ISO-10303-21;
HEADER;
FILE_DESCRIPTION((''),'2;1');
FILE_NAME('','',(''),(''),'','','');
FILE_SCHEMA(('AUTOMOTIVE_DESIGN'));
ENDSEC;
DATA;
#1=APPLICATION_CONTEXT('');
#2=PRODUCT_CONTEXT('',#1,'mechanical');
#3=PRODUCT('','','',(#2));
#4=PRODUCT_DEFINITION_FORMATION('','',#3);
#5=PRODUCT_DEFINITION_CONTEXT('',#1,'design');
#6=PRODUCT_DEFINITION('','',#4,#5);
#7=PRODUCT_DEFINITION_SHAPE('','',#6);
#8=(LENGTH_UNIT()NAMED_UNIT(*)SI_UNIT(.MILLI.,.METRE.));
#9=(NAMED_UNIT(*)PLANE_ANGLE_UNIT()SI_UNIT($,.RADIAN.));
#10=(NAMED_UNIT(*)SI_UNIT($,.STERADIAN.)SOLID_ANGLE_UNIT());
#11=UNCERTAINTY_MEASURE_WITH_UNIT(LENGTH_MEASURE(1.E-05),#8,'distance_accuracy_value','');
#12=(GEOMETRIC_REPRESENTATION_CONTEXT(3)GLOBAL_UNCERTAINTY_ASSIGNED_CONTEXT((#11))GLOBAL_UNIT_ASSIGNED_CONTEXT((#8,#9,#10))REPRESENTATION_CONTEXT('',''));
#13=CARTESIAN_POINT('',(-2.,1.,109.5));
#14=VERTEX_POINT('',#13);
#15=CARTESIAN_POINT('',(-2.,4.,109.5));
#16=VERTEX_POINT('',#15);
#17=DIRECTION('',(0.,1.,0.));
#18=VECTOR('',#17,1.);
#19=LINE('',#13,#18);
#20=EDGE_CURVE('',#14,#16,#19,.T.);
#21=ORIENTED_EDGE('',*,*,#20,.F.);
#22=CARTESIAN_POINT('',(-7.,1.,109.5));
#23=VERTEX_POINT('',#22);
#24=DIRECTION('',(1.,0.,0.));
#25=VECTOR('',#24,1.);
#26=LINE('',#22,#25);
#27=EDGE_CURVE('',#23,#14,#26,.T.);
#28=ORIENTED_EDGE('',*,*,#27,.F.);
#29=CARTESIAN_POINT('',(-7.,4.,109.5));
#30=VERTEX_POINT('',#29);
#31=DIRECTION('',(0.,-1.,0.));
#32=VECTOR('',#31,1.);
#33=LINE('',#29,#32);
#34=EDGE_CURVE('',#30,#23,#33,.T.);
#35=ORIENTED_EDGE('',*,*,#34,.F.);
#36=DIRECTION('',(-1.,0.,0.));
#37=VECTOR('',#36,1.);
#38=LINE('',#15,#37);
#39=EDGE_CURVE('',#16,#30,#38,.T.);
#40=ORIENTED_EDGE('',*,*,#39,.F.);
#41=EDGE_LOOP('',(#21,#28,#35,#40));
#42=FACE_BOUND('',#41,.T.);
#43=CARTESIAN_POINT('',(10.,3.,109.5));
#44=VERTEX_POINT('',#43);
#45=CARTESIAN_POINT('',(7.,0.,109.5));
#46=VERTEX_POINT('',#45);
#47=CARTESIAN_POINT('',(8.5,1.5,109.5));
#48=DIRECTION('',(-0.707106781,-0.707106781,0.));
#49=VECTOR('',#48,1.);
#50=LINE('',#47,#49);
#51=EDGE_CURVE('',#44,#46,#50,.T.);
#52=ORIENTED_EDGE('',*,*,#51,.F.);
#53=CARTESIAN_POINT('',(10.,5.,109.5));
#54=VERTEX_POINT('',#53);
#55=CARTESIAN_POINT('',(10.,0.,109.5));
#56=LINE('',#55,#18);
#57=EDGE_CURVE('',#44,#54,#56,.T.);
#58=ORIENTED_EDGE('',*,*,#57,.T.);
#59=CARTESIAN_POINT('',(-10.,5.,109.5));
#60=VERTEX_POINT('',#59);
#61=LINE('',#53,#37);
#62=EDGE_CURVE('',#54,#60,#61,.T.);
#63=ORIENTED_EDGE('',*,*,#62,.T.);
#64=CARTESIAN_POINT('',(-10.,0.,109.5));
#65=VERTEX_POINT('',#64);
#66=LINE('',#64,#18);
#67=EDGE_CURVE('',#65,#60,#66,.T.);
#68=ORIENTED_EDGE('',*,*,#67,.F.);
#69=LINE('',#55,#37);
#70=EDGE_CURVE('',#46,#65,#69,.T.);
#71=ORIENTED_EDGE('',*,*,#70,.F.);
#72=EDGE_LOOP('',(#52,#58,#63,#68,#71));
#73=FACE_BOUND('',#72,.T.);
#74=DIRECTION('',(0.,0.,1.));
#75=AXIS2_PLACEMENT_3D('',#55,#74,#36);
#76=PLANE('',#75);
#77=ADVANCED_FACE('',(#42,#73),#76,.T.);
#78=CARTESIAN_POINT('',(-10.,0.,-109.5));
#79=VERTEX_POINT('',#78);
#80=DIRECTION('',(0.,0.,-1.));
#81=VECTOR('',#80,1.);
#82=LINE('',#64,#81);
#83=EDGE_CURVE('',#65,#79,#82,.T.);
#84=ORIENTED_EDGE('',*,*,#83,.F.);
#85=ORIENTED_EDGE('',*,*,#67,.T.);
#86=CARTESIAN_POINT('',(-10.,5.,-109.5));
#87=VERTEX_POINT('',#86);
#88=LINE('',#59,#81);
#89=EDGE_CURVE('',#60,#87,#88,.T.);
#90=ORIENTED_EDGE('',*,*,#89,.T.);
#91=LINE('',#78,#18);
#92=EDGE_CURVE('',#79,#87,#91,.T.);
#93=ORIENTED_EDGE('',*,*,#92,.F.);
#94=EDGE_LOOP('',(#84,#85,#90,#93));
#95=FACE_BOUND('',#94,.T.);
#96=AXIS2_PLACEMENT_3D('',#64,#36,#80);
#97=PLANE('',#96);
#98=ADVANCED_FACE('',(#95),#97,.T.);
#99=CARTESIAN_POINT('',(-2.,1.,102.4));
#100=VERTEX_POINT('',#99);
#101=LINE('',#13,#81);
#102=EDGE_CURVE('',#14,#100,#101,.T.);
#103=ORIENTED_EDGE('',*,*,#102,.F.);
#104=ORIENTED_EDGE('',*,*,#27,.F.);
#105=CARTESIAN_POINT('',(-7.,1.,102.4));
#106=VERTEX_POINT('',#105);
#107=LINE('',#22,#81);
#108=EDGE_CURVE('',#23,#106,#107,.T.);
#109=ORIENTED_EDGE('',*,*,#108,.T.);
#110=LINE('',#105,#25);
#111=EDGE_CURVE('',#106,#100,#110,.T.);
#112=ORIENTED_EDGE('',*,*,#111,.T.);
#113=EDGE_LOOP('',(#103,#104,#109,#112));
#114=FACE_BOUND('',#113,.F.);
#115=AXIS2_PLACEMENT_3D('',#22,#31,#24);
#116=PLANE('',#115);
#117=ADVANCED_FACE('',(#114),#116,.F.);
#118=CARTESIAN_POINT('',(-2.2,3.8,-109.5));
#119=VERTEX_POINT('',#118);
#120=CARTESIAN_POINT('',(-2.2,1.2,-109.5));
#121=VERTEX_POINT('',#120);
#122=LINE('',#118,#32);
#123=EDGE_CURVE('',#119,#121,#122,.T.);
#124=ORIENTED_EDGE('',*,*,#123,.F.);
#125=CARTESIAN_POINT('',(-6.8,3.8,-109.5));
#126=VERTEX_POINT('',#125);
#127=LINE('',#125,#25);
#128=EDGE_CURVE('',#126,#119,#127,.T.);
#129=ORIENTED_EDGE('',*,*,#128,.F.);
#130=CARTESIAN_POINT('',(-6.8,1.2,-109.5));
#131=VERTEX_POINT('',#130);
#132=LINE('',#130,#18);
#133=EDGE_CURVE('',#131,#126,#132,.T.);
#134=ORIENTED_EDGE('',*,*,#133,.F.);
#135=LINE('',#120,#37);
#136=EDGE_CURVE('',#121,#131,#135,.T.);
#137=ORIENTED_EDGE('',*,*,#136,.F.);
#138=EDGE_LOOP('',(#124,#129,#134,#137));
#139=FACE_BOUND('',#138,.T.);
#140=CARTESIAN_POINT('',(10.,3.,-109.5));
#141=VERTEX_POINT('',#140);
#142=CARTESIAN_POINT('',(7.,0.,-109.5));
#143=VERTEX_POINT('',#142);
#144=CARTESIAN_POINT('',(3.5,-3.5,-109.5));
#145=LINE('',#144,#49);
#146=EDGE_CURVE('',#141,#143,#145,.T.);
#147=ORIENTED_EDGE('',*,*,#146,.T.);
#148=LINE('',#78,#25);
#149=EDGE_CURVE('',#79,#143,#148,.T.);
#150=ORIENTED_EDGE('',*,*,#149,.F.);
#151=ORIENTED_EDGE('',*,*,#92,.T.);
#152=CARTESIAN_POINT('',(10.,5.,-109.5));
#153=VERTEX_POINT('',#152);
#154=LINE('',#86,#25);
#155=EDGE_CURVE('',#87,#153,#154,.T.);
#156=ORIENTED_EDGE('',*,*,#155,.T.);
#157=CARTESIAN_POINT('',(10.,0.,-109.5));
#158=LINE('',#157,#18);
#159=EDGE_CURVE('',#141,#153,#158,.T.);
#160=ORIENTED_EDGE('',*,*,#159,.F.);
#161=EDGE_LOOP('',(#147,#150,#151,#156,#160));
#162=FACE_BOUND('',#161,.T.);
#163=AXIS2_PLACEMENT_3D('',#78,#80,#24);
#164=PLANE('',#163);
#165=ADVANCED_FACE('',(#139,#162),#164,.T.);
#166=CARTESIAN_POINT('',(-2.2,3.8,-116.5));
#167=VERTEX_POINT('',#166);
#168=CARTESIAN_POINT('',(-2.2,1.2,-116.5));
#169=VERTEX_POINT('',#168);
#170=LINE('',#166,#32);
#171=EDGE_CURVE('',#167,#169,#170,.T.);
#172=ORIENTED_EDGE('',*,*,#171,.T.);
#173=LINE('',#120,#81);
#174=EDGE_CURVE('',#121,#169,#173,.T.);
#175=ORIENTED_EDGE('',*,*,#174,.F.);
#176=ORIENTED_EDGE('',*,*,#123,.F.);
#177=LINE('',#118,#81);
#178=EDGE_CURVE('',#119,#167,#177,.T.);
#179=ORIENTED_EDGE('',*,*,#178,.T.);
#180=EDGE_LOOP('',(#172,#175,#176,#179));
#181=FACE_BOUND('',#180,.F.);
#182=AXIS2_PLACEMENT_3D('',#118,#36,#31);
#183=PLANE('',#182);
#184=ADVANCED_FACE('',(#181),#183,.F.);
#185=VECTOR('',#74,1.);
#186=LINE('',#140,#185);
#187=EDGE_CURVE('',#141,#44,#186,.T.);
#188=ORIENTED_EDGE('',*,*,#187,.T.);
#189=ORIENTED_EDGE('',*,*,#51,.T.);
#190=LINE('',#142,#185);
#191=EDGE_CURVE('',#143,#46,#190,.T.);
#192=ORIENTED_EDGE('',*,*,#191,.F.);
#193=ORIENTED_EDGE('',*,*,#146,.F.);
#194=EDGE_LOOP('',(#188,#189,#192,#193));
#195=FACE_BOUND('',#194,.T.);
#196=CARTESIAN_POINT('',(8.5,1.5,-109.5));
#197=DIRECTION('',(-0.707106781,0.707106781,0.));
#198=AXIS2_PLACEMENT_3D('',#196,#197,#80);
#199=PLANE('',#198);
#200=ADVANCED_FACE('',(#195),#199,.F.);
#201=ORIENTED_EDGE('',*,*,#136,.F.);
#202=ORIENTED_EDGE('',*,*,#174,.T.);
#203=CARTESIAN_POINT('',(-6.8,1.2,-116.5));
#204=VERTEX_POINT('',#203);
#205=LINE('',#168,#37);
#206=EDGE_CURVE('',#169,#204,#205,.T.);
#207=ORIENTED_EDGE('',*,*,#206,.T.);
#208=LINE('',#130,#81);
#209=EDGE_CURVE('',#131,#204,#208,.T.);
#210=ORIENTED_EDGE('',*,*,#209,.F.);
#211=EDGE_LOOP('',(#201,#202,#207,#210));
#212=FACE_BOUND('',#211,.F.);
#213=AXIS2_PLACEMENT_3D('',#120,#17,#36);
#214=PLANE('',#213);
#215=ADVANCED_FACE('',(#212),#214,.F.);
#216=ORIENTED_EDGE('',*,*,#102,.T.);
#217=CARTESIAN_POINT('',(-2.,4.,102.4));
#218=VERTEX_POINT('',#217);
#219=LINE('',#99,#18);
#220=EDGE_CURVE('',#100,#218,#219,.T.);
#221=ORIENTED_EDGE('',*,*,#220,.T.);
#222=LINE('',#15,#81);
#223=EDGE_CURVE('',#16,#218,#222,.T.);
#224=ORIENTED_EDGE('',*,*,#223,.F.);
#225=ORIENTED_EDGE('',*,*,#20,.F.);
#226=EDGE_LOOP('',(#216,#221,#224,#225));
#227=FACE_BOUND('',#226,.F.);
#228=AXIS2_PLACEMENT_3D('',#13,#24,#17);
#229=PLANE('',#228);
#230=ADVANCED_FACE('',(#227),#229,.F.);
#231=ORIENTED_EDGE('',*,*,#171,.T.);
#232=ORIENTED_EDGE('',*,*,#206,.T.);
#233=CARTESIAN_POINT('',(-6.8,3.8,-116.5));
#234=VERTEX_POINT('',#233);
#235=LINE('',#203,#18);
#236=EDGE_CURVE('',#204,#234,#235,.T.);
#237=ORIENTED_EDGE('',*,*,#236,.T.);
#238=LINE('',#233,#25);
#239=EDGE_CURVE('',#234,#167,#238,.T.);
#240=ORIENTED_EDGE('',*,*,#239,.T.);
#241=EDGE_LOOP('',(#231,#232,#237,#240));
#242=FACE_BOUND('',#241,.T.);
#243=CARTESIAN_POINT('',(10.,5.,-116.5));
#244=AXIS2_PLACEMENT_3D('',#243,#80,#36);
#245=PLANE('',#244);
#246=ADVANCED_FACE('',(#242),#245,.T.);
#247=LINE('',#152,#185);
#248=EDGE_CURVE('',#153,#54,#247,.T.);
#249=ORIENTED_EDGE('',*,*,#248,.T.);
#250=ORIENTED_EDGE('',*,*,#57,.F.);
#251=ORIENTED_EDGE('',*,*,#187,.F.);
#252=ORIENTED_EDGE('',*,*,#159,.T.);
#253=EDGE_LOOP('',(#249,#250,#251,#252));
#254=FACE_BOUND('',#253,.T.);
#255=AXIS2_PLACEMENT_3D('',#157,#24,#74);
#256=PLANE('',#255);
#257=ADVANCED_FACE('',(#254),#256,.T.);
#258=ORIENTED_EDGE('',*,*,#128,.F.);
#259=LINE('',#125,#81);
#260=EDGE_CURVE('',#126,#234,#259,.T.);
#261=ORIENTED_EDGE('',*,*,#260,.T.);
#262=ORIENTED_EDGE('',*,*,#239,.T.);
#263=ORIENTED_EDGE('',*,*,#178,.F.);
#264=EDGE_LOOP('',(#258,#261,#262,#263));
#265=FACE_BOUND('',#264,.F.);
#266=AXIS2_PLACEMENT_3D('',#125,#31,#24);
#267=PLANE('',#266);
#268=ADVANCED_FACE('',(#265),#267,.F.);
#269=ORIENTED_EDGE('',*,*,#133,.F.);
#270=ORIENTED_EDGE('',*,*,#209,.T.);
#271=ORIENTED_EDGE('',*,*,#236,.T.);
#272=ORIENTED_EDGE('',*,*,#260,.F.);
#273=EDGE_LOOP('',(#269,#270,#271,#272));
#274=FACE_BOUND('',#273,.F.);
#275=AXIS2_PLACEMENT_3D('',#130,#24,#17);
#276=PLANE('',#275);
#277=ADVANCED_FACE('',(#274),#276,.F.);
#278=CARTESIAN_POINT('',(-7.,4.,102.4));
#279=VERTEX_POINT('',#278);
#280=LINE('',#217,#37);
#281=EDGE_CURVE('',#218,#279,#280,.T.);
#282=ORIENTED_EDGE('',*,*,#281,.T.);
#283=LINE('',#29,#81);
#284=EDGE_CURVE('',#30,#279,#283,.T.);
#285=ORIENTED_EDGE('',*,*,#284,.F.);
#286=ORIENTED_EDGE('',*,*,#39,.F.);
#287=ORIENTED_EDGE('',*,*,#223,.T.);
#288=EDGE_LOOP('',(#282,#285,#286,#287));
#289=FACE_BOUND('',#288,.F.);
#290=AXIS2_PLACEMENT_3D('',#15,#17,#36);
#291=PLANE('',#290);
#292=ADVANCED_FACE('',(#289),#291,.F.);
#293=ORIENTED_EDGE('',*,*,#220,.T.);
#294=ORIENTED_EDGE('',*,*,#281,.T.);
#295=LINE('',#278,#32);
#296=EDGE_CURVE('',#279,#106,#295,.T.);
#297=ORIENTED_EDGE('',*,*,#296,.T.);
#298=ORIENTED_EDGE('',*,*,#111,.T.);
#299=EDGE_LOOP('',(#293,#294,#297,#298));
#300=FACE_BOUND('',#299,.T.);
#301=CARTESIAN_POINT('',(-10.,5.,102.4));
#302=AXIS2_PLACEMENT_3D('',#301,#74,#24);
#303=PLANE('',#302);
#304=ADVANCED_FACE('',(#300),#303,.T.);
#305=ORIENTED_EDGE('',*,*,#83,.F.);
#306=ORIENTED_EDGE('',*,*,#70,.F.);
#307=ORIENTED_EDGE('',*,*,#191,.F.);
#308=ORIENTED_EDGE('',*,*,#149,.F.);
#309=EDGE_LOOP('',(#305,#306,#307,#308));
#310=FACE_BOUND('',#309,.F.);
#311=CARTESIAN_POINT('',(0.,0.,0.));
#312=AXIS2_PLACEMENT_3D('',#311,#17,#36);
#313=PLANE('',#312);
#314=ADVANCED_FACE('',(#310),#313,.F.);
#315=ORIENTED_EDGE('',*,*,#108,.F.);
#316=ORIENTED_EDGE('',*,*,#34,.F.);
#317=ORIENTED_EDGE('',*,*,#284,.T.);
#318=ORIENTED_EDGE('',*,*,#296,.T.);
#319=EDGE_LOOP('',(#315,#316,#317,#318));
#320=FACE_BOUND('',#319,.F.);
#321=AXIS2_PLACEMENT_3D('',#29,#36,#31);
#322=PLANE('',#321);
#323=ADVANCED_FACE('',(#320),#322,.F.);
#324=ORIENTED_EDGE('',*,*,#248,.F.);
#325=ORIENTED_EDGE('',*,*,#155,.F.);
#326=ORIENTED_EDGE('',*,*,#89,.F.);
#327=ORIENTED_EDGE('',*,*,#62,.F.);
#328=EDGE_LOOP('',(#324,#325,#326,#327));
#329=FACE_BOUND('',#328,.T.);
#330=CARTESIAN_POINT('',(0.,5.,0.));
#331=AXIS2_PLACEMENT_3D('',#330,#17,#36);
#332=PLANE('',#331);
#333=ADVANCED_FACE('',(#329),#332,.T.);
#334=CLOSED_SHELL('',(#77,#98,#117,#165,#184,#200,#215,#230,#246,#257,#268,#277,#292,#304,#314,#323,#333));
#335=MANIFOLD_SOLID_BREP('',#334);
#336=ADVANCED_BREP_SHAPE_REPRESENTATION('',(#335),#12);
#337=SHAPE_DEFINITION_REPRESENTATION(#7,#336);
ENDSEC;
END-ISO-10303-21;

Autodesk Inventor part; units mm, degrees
ref_plane "YZ Plane" through (0, 0, 0) normal (1, 0, 0) x (0, 1, 0)
ref_plane "XZ Plane" through (0, 0, 0) normal (0, 1, 0) x (-1, 0, 0)
ref_plane "XY Plane" through (0, 0, 0) normal (0, 0, 1) x (1, 0, 0)
sketch "Sketch1" plane through (0, 0, 0) normal (0, 1, 0) x (-1, 0, 0)
  line L0 (-10, 109.5) -> (10, 109.5)
  line L1 (10, 109.5) -> (10, -109.5)
  line L2 (10, -109.5) -> (-10, -109.5)
  line L3 (-10, -109.5) -> (-10, 109.5)
  line L4 (-10, 109.5) -> (10, -109.5) construction
  line L5 (10, 109.5) -> (-10, -109.5) construction
  point P0 (0, 0)
  dimension "d0" = 20
  dimension "d1" = 219
extrude "Extrusion1" add sketch "Sketch1" along normal blind 5
chamfer "Chamfer1" distance 3 angle 45 1 edges at (10, 0, 0)
sketch "Sketch3" plane through (-10, 5, 109.5) normal (0, 0, 1) x (1, 0, 0)
  line L0 (20, -2) -> (17, -5) projected
  line L1 (20, -2) -> (20, 0) projected
  line L2 (0, 0) -> (20, 0) projected
  line L3 (0, -5) -> (0, 0) projected
  line L4 (0, -5) -> (17, -5) projected
  line L5 (3, -4) -> (8, -4)
  line L6 (8, -4) -> (8, -1)
  line L7 (8, -1) -> (3, -1)
  line L8 (3, -1) -> (3, -4)
  line L9 (3, -4) -> (8, -1) construction
  line L10 (8, -4) -> (3, -1) construction
  point P0 (10, -5)
  point P1 (5.5, -2.5)
  point P2 (0, -2.5)
  dimension "d10" = 5
  dimension "d11" = 3
  dimension "d12" = 3
extrude "Extrusion3" cut sketch "Sketch3" against normal blind 7.1 contours L8 L7 L6 L5
sketch "Sketch4" plane through (10, 5, -109.5) normal (0, 0, -1) x (-1, 0, 0)
  line L0 (12, -1) -> (12, -4) projected
  line L1 (17, -1) -> (12, -1) projected
  line L2 (17, -4) -> (17, -1) projected
  line L3 (12, -4) -> (17, -4) projected
  line L4 (12.2, -1.2) -> (12.2, -3.8)
  line L5 (12.2, -3.8) -> (16.8, -3.8)
  line L6 (16.8, -3.8) -> (16.8, -1.2)
  line L7 (16.8, -1.2) -> (12.2, -1.2)
  point P0 (10, -5)
  dimension "d15" = 0.2
extrude "Extrusion4" add sketch "Sketch4" along normal blind 7 contours L7 L6 L5 L4
properties part number "SEPARADOR" material "Steel, Mild, Welded"
